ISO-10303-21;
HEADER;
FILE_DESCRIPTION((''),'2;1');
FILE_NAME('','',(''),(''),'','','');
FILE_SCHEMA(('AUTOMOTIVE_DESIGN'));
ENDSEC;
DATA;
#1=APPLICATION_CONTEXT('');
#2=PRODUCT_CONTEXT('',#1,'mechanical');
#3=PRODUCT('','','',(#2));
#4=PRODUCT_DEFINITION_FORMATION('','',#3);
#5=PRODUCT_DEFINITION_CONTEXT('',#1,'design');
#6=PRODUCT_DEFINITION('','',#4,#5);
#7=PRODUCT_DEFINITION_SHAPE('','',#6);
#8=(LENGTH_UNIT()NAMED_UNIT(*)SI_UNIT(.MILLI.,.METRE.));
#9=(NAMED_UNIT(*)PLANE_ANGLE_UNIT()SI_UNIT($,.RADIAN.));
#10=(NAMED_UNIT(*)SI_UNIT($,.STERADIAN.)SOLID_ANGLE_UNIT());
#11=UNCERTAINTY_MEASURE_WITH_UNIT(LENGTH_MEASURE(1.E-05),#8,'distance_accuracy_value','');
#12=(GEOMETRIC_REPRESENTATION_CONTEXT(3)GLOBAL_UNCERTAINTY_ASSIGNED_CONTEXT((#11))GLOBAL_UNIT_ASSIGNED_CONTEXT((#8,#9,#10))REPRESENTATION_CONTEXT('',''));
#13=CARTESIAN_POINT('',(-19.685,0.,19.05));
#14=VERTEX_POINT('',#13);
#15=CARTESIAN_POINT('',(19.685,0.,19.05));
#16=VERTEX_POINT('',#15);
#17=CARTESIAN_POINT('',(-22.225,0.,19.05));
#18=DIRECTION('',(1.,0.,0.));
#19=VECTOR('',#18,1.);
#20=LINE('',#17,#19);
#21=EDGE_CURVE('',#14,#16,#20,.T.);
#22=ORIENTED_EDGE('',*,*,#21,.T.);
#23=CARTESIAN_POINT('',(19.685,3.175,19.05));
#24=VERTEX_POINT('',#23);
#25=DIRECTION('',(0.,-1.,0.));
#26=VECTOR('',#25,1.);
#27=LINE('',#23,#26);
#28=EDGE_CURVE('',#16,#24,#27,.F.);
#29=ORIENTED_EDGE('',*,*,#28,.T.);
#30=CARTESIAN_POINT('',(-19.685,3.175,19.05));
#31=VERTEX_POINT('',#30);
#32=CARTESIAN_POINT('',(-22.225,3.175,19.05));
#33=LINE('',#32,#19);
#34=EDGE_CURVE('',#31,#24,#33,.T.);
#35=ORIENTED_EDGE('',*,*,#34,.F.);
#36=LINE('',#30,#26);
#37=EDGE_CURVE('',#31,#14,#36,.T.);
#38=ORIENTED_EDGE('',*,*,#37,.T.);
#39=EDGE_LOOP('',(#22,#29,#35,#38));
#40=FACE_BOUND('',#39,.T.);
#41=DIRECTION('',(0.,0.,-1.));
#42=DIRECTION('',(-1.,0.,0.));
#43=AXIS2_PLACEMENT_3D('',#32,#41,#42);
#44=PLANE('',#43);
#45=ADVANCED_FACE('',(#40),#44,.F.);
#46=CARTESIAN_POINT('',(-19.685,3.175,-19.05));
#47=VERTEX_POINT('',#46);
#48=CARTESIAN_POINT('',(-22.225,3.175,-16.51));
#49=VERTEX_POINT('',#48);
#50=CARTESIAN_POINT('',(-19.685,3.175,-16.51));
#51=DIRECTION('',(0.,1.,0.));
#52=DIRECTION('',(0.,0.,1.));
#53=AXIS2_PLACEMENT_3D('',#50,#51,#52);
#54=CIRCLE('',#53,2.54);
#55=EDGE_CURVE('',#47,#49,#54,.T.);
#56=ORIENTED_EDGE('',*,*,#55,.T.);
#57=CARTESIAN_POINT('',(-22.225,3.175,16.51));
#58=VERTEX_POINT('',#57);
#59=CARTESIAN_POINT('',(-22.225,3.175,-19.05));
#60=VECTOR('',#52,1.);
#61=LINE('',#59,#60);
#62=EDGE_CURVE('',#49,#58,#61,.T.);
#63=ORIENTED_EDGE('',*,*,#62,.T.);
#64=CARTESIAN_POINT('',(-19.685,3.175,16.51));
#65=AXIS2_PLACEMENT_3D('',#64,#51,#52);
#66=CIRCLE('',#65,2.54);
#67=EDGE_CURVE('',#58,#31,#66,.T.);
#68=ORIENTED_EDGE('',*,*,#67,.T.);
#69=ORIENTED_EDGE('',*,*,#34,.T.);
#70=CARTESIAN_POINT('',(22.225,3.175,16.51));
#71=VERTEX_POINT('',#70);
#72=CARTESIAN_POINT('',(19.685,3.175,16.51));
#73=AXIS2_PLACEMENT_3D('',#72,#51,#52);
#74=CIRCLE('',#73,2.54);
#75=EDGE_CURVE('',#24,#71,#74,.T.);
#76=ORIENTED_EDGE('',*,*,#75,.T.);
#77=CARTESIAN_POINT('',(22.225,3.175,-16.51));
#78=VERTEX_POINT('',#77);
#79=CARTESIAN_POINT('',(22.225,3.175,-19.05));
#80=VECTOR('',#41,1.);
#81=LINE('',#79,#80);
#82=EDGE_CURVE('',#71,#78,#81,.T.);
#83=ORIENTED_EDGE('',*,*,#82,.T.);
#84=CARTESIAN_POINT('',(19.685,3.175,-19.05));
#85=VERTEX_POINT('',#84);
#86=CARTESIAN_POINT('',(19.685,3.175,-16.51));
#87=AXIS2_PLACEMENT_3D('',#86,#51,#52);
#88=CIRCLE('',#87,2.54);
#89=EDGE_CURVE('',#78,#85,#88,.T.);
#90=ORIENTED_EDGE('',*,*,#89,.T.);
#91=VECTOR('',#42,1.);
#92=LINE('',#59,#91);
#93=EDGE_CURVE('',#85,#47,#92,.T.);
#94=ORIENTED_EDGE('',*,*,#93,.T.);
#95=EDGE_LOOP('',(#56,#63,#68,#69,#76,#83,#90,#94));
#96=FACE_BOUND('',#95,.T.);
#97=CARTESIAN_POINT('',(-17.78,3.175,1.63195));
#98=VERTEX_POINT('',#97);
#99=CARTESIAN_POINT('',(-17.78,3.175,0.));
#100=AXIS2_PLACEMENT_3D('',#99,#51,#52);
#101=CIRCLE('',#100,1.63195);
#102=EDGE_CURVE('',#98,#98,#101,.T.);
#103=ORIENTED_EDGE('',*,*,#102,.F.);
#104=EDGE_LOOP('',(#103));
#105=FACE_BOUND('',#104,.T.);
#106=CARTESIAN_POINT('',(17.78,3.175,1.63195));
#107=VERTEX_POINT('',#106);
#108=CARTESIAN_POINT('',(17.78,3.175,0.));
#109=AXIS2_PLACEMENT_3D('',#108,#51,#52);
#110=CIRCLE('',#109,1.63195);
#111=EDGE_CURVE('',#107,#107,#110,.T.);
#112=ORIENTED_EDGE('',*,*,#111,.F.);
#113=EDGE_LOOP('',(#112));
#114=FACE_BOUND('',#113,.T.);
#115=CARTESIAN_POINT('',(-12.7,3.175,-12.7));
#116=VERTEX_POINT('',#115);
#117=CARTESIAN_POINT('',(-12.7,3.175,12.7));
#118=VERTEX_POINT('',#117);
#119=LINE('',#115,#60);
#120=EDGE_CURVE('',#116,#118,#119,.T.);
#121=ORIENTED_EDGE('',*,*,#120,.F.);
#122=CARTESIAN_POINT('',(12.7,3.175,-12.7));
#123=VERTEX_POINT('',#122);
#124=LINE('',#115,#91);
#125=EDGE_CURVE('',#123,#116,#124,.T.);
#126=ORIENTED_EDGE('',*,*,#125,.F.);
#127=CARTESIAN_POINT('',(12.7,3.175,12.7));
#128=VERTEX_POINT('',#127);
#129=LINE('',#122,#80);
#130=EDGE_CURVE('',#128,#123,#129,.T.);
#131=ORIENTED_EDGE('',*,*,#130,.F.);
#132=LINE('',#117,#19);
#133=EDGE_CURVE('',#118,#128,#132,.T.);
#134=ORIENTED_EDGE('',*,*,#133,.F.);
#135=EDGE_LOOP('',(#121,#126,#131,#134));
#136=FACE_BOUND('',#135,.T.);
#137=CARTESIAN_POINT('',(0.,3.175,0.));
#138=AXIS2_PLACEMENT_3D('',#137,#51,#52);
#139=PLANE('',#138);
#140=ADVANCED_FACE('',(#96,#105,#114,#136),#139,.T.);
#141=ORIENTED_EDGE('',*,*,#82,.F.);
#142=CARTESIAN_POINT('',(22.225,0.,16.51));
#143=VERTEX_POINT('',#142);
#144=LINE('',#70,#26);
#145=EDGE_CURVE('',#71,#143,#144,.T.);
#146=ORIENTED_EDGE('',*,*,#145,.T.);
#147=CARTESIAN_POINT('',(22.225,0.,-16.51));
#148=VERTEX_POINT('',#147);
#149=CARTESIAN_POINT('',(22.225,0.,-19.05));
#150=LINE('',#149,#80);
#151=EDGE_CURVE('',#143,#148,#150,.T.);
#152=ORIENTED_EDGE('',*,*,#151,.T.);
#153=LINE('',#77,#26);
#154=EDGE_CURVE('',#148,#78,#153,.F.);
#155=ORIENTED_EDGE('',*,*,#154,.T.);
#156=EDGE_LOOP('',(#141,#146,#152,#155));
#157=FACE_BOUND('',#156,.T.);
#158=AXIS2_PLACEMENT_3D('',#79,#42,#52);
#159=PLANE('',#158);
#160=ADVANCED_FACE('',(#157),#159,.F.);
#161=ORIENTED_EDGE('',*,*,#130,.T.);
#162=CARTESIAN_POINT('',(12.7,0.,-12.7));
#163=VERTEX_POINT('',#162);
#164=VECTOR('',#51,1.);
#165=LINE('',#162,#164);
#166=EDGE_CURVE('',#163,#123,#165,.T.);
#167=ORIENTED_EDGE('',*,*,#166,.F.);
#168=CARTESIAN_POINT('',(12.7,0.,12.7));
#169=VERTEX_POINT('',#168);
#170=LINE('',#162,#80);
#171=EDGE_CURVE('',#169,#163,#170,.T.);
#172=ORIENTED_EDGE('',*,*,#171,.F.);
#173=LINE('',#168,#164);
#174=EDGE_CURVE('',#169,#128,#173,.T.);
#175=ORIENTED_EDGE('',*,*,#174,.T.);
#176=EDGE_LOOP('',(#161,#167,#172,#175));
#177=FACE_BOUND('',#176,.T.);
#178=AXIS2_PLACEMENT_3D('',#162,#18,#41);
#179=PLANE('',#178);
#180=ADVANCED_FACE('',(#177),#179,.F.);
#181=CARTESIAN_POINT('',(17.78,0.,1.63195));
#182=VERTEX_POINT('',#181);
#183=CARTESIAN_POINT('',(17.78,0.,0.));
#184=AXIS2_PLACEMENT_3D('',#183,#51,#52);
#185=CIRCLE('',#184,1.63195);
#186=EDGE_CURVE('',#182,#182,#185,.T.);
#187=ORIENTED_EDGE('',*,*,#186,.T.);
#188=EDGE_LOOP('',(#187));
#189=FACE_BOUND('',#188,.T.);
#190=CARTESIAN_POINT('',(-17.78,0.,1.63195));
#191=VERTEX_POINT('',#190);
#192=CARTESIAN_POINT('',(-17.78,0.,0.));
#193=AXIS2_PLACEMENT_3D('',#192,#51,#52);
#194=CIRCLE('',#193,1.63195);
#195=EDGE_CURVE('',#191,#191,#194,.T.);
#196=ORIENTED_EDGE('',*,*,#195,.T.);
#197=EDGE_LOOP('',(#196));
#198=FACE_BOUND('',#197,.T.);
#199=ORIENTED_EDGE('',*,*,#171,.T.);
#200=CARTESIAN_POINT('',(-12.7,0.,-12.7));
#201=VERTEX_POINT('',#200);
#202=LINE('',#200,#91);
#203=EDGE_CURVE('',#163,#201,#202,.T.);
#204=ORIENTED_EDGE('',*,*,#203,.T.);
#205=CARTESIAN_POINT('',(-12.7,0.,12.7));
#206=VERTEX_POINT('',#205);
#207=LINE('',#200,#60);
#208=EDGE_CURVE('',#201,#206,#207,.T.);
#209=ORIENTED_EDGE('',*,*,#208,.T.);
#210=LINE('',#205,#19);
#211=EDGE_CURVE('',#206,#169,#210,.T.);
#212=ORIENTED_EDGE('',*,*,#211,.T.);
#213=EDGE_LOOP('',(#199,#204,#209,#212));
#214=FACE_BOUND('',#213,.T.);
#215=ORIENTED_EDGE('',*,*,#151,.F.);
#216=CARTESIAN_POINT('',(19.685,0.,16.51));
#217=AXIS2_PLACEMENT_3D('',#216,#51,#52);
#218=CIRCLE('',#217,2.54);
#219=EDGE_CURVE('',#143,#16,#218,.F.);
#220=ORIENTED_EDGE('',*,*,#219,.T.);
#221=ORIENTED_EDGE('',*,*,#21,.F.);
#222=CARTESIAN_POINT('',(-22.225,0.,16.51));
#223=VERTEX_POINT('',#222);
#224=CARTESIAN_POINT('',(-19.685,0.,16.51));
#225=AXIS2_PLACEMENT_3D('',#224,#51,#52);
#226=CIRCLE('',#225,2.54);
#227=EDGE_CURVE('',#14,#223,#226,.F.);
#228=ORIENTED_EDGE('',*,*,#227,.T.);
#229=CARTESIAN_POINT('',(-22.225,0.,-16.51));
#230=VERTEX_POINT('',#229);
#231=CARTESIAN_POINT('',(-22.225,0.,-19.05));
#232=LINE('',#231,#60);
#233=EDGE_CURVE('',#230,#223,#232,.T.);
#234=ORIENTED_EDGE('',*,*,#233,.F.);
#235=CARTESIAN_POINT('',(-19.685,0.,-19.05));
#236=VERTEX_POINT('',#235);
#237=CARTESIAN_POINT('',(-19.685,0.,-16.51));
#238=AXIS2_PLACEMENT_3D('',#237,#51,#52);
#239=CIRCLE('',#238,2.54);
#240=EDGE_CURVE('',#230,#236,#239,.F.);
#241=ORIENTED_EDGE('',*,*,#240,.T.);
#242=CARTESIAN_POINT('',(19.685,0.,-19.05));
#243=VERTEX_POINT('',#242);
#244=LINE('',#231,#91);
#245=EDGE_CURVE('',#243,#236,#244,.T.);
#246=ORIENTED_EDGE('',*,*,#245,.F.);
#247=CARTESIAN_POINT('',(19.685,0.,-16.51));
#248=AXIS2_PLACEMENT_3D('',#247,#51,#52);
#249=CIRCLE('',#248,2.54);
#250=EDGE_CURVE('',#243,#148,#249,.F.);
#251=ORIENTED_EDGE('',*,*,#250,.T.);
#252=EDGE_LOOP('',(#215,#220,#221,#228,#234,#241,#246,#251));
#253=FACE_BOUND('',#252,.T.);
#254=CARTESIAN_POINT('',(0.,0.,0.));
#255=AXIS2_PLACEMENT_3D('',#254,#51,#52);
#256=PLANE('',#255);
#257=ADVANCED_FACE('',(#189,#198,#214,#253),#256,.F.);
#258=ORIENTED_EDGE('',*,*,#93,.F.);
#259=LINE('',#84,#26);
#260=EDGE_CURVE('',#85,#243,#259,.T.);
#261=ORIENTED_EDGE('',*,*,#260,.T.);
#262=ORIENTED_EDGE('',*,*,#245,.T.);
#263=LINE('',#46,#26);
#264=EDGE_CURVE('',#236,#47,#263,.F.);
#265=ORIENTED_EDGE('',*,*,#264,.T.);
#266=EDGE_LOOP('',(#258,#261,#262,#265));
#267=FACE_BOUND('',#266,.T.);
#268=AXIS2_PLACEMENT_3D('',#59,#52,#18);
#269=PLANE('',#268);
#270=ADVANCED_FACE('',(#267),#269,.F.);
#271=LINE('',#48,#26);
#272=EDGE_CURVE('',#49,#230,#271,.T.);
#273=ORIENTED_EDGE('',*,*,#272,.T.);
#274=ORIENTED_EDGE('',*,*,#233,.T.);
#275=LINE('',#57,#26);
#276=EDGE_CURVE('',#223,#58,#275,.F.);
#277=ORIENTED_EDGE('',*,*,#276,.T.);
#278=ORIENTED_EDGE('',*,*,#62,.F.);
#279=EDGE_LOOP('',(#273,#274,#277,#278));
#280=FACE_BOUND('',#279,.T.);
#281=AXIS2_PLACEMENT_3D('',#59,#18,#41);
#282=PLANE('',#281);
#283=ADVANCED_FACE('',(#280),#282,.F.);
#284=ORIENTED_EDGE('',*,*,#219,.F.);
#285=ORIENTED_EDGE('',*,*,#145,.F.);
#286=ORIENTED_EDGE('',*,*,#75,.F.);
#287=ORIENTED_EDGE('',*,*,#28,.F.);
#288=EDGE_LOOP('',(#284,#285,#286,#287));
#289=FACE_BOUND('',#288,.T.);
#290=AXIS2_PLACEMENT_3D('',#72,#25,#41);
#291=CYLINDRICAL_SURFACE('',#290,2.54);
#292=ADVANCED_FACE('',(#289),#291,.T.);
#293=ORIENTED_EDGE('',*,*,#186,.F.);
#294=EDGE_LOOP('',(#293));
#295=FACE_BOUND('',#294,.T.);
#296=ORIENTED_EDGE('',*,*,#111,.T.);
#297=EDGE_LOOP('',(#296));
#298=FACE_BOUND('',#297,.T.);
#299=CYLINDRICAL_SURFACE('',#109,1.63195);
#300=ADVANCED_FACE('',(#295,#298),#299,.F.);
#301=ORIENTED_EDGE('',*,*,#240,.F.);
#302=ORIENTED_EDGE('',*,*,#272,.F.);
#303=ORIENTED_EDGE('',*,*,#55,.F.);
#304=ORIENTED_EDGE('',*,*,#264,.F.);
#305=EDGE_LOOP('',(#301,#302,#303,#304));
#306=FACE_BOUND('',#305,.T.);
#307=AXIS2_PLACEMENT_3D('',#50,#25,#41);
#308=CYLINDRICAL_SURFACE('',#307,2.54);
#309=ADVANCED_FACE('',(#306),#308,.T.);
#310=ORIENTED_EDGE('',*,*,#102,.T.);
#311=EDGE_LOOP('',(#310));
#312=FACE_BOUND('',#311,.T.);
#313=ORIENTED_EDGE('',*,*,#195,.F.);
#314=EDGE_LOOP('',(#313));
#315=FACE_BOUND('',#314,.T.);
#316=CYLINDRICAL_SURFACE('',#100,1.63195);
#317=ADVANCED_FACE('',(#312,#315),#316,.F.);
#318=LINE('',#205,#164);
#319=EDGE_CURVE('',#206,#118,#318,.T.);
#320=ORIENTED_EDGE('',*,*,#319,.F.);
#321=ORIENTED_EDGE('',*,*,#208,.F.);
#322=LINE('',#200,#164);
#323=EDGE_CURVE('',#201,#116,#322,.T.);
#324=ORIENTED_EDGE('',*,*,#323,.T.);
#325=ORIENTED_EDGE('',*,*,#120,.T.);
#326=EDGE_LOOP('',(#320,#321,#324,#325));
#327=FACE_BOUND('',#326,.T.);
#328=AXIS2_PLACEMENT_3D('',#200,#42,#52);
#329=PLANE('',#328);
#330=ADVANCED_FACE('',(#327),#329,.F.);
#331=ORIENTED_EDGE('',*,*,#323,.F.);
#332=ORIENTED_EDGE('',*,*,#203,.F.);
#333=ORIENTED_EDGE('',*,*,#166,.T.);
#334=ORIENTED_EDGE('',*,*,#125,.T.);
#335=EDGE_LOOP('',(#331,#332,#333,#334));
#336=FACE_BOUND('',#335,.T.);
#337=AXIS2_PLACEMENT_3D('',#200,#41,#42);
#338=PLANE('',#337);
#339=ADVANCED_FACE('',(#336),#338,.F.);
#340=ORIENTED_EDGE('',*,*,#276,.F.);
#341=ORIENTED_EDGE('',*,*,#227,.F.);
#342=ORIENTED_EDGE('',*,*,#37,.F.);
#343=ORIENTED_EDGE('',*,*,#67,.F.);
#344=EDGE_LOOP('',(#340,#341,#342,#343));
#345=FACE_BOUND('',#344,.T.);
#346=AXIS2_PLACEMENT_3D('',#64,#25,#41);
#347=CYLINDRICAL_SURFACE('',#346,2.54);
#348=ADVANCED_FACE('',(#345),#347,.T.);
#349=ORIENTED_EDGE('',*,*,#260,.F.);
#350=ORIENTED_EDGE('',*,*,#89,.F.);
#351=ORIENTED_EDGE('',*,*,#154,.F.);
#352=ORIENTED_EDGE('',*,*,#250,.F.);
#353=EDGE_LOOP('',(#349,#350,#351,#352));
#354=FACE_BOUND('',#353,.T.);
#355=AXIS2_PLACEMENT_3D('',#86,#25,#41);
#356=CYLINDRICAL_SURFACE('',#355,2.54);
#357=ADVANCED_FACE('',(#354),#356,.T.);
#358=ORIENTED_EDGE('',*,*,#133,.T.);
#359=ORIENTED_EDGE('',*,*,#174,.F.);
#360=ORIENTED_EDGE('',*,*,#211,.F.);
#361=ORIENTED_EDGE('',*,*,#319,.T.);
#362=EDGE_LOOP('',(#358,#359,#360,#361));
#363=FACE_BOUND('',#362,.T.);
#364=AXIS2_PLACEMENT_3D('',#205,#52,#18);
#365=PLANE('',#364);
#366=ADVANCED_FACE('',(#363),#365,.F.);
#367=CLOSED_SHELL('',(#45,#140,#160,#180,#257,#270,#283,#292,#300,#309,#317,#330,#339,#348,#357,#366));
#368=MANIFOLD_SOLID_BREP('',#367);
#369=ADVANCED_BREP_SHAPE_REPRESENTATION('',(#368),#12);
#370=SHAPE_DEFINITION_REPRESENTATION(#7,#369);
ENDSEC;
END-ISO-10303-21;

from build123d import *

# Parameters (mm, degrees)
SKETCH1_W                 = 44.45
SKETCH1_H                 = 38.1
BOSS_EXTRUDE1_DEPTH       = 3.175
SKETCH2_W                 = 25.4
SKETCH2_H                 = 25.4
CUT_EXTRUDE1_DEPTH        = 3.175
F_4_CLEARANCE_HOLE1_D     = 3.2639
F_4_CLEARANCE_HOLE1_DEPTH = 10.16
F_4_CLEARANCE_HOLE1_TIP   = 0.980574487
FILLET1_R                 = 2.54


with BuildPart() as part:
    # Sketch1 → Boss-Extrude1 (new body)
    with BuildSketch(Plane(origin=(0, 0, 0), x_dir=(1, 0, 0), z_dir=(0, 1, 0))):
        Rectangle(SKETCH1_W, SKETCH1_H)
    extrude(amount=BOSS_EXTRUDE1_DEPTH)

    # Sketch2 → Cut-Extrude1 (cut)
    with BuildSketch(Plane(origin=(0, 3.175, 0), x_dir=(1, 0, 0), z_dir=(0, 1, 0))):
        Rectangle(SKETCH2_W, SKETCH2_H)
    extrude(amount=-CUT_EXTRUDE1_DEPTH, mode=Mode.SUBTRACT)

    # #4 Clearance Hole1
    with Locations(Plane(origin=(0, 3.175, 0), x_dir=(1, 0, 0), z_dir=(0, 1, 0))):
        with Locations((-17.78, 0), (17.78, 0)):
            Hole(F_4_CLEARANCE_HOLE1_D / 2, depth=F_4_CLEARANCE_HOLE1_DEPTH)
            with Locations((0, 0, -(F_4_CLEARANCE_HOLE1_DEPTH + F_4_CLEARANCE_HOLE1_TIP / 2))):  # 118° drill point
                Cone(0, F_4_CLEARANCE_HOLE1_D / 2, F_4_CLEARANCE_HOLE1_TIP, mode=Mode.SUBTRACT)

    # Fillet1
    fillet1_edges = [part.edges().sort_by_distance(p)[0] for p in [
        (22.225, 1.5875, 19.05),
        (-22.225, 1.5875, 19.05),
        (-22.225, 1.5875, -19.05),
        (22.225, 1.5875, -19.05),
    ]]
    fillet(fillet1_edges, radius=FILLET1_R)


solid = part.part
